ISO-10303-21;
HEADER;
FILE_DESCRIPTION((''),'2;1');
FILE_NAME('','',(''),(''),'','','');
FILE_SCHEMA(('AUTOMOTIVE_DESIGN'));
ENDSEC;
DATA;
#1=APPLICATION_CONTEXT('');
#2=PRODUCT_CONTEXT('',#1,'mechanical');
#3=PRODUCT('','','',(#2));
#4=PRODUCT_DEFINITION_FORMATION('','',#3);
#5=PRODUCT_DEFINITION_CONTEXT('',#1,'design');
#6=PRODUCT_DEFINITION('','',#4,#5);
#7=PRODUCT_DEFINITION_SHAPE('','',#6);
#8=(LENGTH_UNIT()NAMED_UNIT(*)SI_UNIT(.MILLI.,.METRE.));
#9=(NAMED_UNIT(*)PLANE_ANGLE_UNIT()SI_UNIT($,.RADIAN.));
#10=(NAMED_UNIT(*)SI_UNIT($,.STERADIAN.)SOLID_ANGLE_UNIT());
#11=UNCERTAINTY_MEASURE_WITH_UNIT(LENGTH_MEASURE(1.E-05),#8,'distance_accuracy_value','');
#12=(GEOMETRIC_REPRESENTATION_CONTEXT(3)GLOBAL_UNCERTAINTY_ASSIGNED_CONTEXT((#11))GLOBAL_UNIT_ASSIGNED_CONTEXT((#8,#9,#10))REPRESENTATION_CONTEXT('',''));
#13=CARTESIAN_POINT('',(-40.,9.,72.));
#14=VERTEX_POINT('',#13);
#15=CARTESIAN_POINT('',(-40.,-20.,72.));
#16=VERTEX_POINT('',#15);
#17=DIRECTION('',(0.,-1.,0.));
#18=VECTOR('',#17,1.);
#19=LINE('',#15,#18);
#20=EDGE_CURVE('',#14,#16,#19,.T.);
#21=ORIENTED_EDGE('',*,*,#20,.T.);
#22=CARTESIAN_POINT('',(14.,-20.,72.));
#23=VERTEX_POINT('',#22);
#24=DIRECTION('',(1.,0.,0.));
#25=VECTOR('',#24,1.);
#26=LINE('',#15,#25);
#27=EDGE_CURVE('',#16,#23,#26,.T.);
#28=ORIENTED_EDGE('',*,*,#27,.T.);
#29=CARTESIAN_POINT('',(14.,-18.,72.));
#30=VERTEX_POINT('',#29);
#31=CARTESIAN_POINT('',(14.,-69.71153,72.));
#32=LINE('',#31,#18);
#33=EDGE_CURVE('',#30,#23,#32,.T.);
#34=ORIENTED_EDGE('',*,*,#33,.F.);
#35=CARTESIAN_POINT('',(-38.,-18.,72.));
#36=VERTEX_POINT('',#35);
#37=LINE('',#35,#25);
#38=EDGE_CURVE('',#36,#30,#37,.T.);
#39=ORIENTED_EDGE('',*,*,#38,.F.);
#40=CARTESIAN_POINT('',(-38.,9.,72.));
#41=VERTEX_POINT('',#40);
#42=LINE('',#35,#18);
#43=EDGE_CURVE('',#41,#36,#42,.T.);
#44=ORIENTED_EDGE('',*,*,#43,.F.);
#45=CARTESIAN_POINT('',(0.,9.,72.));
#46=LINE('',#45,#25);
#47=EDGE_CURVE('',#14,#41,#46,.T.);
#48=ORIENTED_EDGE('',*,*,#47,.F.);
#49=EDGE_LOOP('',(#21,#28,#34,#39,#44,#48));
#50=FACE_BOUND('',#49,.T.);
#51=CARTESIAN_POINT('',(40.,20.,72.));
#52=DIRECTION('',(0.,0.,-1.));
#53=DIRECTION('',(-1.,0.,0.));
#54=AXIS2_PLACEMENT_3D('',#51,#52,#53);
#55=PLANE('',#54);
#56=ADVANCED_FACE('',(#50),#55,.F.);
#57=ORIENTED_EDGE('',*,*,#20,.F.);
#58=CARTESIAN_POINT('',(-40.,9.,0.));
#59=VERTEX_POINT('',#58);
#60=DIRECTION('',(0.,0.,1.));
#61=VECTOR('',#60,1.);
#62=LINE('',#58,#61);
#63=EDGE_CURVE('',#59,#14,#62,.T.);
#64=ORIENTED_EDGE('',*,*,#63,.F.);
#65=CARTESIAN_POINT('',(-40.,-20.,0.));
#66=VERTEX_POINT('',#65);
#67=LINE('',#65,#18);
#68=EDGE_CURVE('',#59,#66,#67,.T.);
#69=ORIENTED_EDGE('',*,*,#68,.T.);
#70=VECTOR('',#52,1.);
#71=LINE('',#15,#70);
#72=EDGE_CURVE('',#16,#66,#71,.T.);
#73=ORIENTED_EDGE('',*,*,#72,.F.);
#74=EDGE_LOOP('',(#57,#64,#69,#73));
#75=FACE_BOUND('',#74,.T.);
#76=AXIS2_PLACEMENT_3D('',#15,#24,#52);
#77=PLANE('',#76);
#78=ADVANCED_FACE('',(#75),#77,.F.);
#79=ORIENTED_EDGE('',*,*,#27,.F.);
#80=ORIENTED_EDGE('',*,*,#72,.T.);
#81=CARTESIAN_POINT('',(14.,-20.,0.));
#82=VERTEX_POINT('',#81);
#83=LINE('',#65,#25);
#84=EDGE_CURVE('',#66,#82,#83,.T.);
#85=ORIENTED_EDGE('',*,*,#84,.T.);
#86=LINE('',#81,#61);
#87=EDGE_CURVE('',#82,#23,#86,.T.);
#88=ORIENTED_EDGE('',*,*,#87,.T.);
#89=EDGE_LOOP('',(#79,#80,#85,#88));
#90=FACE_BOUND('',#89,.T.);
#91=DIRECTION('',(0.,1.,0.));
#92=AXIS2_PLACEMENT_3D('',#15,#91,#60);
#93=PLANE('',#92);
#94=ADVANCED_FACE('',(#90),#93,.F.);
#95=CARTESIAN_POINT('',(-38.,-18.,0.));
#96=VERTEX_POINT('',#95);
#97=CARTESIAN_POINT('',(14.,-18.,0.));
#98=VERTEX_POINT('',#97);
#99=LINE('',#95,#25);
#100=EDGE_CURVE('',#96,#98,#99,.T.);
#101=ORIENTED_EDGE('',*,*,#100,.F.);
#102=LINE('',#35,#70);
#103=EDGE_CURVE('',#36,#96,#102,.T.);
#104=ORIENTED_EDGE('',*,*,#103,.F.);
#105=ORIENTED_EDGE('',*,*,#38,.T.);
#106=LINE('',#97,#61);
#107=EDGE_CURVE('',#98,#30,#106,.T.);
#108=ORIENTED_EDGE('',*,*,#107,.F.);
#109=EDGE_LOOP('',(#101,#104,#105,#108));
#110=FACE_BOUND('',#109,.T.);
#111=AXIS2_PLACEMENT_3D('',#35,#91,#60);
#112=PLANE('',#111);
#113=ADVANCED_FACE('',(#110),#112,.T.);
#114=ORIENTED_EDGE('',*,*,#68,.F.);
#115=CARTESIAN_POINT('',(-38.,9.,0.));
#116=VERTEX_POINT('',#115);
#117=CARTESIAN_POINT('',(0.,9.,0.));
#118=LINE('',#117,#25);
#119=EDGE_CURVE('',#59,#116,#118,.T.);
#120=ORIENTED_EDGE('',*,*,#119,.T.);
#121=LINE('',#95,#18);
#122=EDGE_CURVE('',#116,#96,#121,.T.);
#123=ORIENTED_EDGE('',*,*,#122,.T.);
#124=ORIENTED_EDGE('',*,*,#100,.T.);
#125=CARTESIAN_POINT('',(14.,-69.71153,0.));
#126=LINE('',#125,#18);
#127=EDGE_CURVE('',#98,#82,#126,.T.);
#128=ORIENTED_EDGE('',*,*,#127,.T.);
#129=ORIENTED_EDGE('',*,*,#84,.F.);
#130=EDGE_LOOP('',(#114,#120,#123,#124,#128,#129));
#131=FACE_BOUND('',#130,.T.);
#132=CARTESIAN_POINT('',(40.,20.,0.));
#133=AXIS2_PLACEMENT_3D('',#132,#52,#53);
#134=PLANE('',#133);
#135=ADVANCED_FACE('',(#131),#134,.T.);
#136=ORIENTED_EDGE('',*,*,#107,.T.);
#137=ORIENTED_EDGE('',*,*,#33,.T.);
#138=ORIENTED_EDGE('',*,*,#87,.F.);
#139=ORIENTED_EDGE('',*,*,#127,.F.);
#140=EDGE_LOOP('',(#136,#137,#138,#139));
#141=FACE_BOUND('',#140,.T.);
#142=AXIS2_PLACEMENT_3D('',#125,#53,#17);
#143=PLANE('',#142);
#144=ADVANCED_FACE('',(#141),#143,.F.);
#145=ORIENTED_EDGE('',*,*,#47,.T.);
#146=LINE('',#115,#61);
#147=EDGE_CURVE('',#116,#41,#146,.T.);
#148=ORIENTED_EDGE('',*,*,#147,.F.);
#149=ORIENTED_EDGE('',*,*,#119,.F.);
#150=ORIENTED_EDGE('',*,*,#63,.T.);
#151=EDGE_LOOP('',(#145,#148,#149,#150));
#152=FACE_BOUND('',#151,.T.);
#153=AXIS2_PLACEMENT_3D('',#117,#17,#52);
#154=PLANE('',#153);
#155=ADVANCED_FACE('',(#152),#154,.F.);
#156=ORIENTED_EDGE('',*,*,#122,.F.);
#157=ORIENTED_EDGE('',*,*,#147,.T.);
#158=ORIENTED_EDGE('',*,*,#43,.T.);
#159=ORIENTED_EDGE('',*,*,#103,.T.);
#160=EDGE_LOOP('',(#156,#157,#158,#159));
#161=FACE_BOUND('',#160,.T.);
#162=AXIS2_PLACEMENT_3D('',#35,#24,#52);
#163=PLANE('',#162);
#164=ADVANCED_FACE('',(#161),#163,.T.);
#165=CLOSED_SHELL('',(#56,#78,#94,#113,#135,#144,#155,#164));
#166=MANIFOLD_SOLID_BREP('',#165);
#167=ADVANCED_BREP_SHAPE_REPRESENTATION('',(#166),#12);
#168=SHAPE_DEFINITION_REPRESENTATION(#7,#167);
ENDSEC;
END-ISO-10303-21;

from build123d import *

# Parameters (mm, degrees)
SKETCH_1_W          = 80
SKETCH_1_H          = 40
SKETCH_1_W_2        = 76
SKETCH_1_H_2        = 36
EXTRUDE_1_DEPTH     = 72
CUT_EXTRUDE_1_DEPTH = 73


with BuildPart() as part:
    # Эскиз1 → Бобышка-Вытянуть1 (new body)
    with BuildSketch(Plane.XY):
        Rectangle(SKETCH_1_W, SKETCH_1_H)
        Rectangle(SKETCH_1_W_2, SKETCH_1_H_2, mode=Mode.SUBTRACT)
    extrude(amount=EXTRUDE_1_DEPTH)

    # Эскиз2 → Вырез-Вытянуть1 (cut, through all)
    with BuildSketch(Plane.XY.offset(72)):
        Polygon((-40, 20), (-40, 9), (-38, 9), (-38, 18), (38, 18), (38, -18), (14, -18), (14, -20), (40, -20), (40, 20), align=None)
    extrude(amount=-CUT_EXTRUDE_1_DEPTH, mode=Mode.SUBTRACT)


solid = part.part
